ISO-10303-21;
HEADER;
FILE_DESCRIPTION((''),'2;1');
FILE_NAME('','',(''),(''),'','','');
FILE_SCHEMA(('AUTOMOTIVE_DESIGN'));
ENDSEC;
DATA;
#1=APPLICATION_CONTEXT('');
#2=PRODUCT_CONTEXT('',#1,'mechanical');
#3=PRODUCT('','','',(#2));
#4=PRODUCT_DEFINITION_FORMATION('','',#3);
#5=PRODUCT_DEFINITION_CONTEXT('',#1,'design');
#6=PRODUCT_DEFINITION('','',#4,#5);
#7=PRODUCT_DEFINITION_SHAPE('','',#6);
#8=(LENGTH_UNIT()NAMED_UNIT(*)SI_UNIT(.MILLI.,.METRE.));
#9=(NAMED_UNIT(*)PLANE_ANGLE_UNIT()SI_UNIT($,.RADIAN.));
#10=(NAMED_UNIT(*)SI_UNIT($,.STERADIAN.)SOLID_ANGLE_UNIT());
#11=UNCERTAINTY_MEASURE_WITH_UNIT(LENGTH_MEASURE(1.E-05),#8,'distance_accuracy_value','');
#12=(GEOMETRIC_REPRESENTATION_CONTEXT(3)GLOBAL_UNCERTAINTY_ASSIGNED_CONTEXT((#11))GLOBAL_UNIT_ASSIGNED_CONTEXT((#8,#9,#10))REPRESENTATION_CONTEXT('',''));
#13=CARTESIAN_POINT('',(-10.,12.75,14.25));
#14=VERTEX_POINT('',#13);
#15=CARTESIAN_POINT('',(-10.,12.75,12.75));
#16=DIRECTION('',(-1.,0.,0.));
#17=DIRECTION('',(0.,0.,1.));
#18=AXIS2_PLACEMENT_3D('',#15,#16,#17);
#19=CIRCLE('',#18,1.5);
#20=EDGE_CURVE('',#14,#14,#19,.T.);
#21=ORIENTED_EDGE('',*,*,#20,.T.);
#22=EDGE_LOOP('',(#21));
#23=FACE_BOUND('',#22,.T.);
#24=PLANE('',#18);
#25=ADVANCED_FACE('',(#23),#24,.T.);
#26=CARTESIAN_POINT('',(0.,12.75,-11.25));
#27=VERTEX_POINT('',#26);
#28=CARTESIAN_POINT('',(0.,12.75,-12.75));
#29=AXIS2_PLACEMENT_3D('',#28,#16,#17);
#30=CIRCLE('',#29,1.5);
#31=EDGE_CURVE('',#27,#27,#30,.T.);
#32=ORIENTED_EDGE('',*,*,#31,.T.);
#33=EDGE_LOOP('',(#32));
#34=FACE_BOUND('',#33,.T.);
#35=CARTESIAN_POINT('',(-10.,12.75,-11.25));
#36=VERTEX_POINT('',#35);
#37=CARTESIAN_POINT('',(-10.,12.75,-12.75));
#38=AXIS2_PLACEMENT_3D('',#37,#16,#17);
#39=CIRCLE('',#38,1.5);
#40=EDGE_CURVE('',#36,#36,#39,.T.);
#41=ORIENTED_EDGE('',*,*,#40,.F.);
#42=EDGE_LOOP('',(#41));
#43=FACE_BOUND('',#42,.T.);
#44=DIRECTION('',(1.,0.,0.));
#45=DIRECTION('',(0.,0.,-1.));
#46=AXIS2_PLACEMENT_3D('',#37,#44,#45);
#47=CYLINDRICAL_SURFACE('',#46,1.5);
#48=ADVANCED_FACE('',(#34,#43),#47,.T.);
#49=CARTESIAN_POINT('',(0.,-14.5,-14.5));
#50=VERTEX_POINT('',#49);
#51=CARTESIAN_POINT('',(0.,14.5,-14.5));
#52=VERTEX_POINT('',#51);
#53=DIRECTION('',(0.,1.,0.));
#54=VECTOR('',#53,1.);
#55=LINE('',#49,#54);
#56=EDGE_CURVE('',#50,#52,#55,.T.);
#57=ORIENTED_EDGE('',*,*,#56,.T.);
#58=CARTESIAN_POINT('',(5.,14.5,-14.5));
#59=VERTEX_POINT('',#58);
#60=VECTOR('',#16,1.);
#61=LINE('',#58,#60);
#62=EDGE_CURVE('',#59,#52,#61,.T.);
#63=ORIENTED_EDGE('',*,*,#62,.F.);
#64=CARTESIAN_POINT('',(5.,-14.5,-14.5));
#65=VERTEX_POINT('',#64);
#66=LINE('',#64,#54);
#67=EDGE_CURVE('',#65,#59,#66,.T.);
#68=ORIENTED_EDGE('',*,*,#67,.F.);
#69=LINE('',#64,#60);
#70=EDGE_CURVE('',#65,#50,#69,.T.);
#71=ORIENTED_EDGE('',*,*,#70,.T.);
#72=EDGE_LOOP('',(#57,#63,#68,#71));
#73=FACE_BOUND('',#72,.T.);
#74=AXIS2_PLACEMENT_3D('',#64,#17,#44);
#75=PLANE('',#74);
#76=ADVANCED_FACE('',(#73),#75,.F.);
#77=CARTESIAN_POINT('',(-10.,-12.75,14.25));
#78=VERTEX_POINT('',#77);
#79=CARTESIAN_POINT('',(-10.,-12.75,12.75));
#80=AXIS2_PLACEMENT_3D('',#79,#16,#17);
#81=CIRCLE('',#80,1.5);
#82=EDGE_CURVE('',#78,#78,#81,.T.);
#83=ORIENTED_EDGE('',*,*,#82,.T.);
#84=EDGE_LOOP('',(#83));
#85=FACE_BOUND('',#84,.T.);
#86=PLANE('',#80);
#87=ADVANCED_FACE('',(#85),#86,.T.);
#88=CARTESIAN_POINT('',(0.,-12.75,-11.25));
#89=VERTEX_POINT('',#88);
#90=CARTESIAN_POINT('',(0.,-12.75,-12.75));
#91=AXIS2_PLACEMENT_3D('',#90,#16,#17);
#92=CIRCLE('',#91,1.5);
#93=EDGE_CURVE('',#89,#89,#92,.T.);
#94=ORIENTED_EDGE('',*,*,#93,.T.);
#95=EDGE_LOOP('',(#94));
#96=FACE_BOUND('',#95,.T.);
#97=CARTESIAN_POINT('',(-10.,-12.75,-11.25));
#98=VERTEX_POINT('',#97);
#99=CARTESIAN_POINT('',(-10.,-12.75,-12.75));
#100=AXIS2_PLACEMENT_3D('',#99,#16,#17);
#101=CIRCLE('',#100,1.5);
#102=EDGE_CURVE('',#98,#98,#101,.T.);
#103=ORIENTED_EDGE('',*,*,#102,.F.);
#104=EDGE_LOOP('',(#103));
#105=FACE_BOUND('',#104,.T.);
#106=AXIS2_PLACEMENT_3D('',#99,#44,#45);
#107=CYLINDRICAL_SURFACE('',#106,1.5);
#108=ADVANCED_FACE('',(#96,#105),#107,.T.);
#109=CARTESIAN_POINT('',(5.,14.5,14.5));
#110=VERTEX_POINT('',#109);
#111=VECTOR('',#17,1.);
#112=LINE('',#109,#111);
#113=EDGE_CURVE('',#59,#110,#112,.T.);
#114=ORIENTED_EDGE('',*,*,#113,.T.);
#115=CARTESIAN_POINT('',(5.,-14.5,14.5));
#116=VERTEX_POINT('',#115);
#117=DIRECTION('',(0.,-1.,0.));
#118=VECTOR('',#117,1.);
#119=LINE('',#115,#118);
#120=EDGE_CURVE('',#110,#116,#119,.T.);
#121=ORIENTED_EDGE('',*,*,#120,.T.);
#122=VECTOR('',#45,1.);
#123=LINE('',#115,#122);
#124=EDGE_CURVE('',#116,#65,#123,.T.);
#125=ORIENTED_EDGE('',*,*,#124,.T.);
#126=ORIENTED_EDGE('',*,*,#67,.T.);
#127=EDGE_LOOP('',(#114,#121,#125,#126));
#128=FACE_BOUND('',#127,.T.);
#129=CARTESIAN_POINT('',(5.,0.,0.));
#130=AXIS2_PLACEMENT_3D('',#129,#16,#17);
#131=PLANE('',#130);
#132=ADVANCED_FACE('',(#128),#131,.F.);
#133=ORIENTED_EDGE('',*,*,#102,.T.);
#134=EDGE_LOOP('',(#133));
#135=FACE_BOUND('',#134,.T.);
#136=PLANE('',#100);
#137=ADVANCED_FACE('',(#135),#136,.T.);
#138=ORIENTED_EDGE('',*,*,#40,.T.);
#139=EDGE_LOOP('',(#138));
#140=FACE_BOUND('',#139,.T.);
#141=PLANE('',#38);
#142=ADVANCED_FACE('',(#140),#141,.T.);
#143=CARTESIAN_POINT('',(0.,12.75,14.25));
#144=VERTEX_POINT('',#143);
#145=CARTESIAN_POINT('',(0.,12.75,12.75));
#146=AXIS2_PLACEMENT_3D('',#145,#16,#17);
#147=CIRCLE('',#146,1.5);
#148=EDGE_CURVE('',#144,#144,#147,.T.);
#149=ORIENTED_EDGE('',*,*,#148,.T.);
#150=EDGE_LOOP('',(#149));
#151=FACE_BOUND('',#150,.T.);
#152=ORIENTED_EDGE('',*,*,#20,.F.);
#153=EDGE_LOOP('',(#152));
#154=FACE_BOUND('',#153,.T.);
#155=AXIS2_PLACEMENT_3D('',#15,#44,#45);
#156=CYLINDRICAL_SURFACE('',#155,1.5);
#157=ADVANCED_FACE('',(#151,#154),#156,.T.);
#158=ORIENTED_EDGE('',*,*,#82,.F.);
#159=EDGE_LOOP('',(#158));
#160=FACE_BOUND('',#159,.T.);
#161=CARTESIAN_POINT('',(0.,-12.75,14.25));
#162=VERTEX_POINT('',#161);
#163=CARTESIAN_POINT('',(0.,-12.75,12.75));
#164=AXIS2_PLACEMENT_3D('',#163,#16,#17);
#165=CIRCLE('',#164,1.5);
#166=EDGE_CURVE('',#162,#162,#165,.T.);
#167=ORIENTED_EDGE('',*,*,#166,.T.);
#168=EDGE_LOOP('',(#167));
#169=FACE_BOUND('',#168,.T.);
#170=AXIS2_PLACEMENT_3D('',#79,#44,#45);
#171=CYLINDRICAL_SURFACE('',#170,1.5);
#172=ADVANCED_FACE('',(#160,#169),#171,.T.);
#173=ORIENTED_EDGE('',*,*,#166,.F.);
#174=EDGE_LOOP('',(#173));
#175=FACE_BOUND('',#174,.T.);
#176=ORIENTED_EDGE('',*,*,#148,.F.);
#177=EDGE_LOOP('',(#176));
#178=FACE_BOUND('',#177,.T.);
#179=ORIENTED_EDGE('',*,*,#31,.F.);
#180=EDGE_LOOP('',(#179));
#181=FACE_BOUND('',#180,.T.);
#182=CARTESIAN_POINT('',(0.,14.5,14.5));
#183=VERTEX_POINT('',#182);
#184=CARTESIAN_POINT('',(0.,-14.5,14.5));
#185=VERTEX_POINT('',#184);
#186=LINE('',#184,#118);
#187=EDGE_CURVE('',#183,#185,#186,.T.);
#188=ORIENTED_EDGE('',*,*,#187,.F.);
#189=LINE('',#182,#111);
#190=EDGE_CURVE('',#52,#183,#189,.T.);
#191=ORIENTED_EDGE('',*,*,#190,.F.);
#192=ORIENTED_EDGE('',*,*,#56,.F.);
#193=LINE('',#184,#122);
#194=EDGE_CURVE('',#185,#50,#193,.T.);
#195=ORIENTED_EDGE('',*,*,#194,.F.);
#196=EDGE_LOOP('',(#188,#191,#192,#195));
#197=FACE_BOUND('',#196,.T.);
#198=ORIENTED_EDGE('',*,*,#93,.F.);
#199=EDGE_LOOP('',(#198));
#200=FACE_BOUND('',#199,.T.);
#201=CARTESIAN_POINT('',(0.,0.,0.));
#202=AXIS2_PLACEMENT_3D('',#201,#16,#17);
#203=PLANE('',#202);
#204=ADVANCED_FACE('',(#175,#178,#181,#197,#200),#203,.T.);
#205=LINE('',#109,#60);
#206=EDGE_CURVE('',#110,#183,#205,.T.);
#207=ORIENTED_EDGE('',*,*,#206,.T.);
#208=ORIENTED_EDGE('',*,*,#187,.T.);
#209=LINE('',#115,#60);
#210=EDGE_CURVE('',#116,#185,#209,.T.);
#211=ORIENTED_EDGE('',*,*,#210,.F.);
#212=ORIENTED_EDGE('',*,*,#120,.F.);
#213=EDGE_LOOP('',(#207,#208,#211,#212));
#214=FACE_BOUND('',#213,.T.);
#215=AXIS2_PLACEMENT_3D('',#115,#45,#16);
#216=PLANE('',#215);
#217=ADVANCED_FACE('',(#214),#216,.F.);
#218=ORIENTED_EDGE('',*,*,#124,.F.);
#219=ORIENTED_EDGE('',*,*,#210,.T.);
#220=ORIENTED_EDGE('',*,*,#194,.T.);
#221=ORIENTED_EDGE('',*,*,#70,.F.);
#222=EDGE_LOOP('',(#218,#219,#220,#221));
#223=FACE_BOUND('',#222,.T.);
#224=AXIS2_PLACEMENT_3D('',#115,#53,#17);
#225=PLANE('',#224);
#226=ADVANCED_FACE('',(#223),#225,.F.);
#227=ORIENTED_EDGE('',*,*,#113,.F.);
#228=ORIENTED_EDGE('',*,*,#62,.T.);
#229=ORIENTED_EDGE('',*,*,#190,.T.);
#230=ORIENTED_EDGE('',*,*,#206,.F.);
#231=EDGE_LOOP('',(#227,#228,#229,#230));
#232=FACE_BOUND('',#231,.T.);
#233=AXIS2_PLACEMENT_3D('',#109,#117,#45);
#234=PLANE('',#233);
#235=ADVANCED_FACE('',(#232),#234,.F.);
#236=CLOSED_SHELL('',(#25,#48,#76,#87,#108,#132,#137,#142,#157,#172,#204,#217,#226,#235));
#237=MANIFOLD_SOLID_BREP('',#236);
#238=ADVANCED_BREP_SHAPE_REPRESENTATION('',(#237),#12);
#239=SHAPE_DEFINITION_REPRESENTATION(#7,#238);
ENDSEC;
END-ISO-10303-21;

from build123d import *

# Parameters (mm, degrees)
SKETCH1_W           = 29
SKETCH1_H           = 29
BOSS_EXTRUDE1_DEPTH = 5
SKETCH2_R           = 1.5
BOSS_EXTRUDE2_DEPTH = 10


with BuildPart() as part:
    # Sketch1 → Boss-Extrude1 (new body)
    with BuildSketch(Plane(origin=(0, 0, 0), x_dir=(0, 0, -1), z_dir=(1, 0, 0))):
        Rectangle(SKETCH1_W, SKETCH1_H)
    extrude(amount=BOSS_EXTRUDE1_DEPTH)

    # Sketch2 → Boss-Extrude2 (add)
    with BuildSketch(Plane.ZY):
        with Locations((-12.75, 12.75)):
            Circle(SKETCH2_R)
        with Locations((12.75, 12.75)):
            Circle(SKETCH2_R)
        with Locations((12.75, -12.75)):
            Circle(SKETCH2_R)
        with Locations((-12.75, -12.75)):
            Circle(SKETCH2_R)
    extrude(amount=BOSS_EXTRUDE2_DEPTH)


solid = part.part
